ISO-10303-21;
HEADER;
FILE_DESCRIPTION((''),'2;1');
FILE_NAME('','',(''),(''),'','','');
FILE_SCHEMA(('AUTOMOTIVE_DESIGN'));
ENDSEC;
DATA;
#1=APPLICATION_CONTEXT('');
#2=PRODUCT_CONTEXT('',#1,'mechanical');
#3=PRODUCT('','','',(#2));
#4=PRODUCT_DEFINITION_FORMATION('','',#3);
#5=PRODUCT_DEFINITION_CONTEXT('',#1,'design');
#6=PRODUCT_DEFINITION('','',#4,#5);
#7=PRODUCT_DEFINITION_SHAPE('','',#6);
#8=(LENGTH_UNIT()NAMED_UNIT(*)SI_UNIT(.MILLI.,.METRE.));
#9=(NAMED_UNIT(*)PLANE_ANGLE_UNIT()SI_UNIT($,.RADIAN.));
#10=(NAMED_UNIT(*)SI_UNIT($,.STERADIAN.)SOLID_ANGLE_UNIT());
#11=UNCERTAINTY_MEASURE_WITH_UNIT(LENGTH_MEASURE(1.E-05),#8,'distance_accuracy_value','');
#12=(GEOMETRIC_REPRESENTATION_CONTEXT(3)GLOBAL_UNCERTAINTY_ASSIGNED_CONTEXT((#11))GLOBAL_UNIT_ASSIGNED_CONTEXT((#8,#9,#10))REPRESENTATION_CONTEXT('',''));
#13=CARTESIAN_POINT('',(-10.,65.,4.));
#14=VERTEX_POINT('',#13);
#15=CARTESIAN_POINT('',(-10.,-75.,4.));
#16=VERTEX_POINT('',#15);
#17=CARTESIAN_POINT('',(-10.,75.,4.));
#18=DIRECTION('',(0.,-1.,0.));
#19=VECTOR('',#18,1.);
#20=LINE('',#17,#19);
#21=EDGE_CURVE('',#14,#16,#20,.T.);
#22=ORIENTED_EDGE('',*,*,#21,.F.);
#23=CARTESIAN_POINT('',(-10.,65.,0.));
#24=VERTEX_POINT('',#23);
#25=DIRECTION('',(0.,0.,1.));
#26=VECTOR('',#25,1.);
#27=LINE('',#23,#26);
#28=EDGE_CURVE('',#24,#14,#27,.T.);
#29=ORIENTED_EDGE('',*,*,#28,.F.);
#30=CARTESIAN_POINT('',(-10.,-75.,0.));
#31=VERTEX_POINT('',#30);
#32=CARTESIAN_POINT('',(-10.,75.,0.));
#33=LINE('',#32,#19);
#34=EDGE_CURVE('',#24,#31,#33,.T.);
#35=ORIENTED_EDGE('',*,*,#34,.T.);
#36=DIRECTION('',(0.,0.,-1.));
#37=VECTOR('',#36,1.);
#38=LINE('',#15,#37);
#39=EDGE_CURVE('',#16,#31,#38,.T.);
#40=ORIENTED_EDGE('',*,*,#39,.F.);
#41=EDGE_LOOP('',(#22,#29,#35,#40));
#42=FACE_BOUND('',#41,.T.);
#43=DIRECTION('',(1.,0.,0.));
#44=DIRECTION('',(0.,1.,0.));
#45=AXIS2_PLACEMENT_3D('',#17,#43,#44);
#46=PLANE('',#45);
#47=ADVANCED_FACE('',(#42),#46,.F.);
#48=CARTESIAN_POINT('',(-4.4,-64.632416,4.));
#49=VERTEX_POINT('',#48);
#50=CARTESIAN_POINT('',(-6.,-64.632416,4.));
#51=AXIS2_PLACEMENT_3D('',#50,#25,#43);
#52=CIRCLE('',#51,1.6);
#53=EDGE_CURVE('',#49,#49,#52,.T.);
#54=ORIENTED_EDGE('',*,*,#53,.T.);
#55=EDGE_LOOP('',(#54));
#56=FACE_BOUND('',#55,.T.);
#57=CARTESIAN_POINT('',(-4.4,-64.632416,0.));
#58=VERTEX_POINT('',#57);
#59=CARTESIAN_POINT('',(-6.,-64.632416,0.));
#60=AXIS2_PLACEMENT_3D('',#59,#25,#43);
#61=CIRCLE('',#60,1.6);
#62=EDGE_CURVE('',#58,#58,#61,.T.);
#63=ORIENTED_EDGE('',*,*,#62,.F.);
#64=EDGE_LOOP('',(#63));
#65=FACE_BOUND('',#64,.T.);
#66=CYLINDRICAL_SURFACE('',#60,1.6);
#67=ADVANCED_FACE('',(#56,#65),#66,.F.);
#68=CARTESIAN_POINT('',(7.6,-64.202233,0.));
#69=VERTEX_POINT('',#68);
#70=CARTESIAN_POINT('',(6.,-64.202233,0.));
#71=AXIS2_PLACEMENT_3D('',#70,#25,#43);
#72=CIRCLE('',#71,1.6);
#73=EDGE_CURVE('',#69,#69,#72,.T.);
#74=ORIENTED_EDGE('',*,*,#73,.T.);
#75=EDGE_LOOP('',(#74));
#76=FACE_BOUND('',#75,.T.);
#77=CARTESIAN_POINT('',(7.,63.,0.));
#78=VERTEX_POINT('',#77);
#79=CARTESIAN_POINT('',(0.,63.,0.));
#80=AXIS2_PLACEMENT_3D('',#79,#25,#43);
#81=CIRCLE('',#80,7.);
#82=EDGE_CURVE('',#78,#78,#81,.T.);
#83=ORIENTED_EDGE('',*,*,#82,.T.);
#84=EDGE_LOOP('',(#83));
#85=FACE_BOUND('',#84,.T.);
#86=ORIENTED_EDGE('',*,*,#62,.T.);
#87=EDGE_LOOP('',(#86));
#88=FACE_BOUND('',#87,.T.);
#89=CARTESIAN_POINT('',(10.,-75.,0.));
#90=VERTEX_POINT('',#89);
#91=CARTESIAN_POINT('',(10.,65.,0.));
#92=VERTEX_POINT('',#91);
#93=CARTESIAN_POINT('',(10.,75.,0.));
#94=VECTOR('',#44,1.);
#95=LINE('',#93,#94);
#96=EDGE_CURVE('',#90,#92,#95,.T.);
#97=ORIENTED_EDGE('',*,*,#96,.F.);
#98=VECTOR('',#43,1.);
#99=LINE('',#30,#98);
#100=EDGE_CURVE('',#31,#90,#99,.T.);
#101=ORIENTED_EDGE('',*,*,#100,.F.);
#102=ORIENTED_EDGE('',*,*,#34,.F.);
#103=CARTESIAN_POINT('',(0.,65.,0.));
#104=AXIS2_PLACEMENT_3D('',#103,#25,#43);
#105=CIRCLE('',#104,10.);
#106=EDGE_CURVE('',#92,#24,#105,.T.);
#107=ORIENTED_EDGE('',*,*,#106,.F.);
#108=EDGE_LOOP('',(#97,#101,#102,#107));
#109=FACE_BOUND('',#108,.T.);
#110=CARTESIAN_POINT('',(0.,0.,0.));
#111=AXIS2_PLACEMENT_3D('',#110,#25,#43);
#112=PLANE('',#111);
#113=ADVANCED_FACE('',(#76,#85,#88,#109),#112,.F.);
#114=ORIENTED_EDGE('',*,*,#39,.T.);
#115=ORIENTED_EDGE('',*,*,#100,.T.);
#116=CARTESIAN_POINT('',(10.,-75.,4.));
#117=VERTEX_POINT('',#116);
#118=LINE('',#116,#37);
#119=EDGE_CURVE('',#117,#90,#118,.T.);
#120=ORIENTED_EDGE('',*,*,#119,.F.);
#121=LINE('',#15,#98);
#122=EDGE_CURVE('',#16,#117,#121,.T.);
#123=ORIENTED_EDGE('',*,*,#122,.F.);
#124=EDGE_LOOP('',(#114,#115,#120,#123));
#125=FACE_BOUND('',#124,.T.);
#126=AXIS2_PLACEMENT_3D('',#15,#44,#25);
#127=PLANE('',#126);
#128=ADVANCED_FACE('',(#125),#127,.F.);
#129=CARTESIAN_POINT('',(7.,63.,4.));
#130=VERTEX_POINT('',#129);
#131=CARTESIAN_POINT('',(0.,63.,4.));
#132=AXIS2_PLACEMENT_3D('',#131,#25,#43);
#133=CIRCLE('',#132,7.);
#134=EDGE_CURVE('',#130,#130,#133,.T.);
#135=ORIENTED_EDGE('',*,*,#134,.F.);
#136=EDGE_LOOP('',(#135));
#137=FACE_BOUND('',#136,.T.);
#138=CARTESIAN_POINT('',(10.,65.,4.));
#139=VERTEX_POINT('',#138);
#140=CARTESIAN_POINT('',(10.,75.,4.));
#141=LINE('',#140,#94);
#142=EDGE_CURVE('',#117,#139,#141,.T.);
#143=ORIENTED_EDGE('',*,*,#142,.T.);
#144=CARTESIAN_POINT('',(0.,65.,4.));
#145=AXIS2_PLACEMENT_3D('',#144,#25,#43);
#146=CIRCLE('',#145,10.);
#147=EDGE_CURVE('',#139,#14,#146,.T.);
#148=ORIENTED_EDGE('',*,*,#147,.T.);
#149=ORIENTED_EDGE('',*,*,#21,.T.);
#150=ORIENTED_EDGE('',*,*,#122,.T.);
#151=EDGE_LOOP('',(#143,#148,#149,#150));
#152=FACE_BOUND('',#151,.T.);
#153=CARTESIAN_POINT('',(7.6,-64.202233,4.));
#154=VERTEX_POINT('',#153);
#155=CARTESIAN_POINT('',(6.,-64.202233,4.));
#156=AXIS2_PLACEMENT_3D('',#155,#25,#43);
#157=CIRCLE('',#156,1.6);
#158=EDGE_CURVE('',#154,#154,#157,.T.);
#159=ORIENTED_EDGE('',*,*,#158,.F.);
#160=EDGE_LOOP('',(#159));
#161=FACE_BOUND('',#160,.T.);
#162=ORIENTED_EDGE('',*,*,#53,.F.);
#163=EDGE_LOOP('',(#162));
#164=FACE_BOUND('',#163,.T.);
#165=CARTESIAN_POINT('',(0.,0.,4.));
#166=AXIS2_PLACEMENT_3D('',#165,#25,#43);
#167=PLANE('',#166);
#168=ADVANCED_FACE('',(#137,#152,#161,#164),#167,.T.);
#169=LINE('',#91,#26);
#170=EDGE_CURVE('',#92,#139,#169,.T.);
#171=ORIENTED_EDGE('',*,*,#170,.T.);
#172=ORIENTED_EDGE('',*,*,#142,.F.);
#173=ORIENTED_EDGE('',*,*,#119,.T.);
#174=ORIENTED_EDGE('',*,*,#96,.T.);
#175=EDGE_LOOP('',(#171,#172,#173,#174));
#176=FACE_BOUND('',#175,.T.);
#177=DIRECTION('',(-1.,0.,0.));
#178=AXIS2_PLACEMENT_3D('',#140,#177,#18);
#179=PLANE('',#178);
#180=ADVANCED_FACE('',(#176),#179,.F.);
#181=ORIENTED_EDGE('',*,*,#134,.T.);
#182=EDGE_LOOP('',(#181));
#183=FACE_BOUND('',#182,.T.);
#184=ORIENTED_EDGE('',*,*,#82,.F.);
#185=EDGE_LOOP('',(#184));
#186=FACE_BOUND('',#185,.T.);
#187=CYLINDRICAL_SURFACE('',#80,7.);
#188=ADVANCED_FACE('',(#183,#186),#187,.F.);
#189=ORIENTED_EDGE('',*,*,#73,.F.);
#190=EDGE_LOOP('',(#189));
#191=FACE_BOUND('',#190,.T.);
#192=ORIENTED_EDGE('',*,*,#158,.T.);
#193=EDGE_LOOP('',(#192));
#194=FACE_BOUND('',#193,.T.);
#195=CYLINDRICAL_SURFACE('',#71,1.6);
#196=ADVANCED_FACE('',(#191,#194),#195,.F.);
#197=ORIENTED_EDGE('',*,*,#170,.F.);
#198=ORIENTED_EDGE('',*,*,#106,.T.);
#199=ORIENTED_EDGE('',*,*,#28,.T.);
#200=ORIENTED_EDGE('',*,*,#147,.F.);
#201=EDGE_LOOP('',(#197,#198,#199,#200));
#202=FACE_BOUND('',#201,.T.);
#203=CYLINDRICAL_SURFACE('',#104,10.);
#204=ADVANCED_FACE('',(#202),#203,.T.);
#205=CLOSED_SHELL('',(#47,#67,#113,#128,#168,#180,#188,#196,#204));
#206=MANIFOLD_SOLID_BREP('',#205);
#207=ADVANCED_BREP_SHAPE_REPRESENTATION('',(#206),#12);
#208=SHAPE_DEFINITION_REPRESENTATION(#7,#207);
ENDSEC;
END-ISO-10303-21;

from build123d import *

# Parameters (mm, degrees)
SKETCH_1_W          = 20
SKETCH_1_H          = 150
EXTRUDE_1_DEPTH     = 4
CUT_EXTRUDE_1_DEPTH = 4
SKETCH_3_R          = 7
SKETCH_3_R_2        = 1.6
CUT_EXTRUDE_2_DEPTH = 76.769386958


with BuildPart() as part:
    # 草圖1 → 填料-伸長1 (new body)
    with BuildSketch(Plane.XY):
        Rectangle(SKETCH_1_W, SKETCH_1_H)
    extrude(amount=EXTRUDE_1_DEPTH)

    # 草圖2 → 除料-伸長1 (cut)
    with BuildSketch(Plane.XY.offset(4)):
        with BuildLine():
            ThreePointArc((-10, 65), (-7.071067812, 72.071067812), (0, 75))
            Line((0, 75), (-10, 75))
            Line((-10, 75), (-10, 65))
        make_face()
        with BuildLine():
            Line((10, 75), (0, 75))
            ThreePointArc((0, 75), (7.071067812, 72.071067812), (10, 65))
            Line((10, 65), (10, 75))
        make_face()
    extrude(amount=-CUT_EXTRUDE_1_DEPTH, mode=Mode.SUBTRACT)

    # 草圖3 → 除料-伸長2 (cut, through all)
    with BuildSketch(Plane.XY.offset(4)):
        with Locations((0, 63)):
            Circle(SKETCH_3_R)
        with Locations((-6, -64.632416386)):
            Circle(SKETCH_3_R_2)
        with Locations((6, -64.202233011)):
            Circle(SKETCH_3_R_2)
    extrude(amount=-CUT_EXTRUDE_2_DEPTH, mode=Mode.SUBTRACT)


solid = part.part
